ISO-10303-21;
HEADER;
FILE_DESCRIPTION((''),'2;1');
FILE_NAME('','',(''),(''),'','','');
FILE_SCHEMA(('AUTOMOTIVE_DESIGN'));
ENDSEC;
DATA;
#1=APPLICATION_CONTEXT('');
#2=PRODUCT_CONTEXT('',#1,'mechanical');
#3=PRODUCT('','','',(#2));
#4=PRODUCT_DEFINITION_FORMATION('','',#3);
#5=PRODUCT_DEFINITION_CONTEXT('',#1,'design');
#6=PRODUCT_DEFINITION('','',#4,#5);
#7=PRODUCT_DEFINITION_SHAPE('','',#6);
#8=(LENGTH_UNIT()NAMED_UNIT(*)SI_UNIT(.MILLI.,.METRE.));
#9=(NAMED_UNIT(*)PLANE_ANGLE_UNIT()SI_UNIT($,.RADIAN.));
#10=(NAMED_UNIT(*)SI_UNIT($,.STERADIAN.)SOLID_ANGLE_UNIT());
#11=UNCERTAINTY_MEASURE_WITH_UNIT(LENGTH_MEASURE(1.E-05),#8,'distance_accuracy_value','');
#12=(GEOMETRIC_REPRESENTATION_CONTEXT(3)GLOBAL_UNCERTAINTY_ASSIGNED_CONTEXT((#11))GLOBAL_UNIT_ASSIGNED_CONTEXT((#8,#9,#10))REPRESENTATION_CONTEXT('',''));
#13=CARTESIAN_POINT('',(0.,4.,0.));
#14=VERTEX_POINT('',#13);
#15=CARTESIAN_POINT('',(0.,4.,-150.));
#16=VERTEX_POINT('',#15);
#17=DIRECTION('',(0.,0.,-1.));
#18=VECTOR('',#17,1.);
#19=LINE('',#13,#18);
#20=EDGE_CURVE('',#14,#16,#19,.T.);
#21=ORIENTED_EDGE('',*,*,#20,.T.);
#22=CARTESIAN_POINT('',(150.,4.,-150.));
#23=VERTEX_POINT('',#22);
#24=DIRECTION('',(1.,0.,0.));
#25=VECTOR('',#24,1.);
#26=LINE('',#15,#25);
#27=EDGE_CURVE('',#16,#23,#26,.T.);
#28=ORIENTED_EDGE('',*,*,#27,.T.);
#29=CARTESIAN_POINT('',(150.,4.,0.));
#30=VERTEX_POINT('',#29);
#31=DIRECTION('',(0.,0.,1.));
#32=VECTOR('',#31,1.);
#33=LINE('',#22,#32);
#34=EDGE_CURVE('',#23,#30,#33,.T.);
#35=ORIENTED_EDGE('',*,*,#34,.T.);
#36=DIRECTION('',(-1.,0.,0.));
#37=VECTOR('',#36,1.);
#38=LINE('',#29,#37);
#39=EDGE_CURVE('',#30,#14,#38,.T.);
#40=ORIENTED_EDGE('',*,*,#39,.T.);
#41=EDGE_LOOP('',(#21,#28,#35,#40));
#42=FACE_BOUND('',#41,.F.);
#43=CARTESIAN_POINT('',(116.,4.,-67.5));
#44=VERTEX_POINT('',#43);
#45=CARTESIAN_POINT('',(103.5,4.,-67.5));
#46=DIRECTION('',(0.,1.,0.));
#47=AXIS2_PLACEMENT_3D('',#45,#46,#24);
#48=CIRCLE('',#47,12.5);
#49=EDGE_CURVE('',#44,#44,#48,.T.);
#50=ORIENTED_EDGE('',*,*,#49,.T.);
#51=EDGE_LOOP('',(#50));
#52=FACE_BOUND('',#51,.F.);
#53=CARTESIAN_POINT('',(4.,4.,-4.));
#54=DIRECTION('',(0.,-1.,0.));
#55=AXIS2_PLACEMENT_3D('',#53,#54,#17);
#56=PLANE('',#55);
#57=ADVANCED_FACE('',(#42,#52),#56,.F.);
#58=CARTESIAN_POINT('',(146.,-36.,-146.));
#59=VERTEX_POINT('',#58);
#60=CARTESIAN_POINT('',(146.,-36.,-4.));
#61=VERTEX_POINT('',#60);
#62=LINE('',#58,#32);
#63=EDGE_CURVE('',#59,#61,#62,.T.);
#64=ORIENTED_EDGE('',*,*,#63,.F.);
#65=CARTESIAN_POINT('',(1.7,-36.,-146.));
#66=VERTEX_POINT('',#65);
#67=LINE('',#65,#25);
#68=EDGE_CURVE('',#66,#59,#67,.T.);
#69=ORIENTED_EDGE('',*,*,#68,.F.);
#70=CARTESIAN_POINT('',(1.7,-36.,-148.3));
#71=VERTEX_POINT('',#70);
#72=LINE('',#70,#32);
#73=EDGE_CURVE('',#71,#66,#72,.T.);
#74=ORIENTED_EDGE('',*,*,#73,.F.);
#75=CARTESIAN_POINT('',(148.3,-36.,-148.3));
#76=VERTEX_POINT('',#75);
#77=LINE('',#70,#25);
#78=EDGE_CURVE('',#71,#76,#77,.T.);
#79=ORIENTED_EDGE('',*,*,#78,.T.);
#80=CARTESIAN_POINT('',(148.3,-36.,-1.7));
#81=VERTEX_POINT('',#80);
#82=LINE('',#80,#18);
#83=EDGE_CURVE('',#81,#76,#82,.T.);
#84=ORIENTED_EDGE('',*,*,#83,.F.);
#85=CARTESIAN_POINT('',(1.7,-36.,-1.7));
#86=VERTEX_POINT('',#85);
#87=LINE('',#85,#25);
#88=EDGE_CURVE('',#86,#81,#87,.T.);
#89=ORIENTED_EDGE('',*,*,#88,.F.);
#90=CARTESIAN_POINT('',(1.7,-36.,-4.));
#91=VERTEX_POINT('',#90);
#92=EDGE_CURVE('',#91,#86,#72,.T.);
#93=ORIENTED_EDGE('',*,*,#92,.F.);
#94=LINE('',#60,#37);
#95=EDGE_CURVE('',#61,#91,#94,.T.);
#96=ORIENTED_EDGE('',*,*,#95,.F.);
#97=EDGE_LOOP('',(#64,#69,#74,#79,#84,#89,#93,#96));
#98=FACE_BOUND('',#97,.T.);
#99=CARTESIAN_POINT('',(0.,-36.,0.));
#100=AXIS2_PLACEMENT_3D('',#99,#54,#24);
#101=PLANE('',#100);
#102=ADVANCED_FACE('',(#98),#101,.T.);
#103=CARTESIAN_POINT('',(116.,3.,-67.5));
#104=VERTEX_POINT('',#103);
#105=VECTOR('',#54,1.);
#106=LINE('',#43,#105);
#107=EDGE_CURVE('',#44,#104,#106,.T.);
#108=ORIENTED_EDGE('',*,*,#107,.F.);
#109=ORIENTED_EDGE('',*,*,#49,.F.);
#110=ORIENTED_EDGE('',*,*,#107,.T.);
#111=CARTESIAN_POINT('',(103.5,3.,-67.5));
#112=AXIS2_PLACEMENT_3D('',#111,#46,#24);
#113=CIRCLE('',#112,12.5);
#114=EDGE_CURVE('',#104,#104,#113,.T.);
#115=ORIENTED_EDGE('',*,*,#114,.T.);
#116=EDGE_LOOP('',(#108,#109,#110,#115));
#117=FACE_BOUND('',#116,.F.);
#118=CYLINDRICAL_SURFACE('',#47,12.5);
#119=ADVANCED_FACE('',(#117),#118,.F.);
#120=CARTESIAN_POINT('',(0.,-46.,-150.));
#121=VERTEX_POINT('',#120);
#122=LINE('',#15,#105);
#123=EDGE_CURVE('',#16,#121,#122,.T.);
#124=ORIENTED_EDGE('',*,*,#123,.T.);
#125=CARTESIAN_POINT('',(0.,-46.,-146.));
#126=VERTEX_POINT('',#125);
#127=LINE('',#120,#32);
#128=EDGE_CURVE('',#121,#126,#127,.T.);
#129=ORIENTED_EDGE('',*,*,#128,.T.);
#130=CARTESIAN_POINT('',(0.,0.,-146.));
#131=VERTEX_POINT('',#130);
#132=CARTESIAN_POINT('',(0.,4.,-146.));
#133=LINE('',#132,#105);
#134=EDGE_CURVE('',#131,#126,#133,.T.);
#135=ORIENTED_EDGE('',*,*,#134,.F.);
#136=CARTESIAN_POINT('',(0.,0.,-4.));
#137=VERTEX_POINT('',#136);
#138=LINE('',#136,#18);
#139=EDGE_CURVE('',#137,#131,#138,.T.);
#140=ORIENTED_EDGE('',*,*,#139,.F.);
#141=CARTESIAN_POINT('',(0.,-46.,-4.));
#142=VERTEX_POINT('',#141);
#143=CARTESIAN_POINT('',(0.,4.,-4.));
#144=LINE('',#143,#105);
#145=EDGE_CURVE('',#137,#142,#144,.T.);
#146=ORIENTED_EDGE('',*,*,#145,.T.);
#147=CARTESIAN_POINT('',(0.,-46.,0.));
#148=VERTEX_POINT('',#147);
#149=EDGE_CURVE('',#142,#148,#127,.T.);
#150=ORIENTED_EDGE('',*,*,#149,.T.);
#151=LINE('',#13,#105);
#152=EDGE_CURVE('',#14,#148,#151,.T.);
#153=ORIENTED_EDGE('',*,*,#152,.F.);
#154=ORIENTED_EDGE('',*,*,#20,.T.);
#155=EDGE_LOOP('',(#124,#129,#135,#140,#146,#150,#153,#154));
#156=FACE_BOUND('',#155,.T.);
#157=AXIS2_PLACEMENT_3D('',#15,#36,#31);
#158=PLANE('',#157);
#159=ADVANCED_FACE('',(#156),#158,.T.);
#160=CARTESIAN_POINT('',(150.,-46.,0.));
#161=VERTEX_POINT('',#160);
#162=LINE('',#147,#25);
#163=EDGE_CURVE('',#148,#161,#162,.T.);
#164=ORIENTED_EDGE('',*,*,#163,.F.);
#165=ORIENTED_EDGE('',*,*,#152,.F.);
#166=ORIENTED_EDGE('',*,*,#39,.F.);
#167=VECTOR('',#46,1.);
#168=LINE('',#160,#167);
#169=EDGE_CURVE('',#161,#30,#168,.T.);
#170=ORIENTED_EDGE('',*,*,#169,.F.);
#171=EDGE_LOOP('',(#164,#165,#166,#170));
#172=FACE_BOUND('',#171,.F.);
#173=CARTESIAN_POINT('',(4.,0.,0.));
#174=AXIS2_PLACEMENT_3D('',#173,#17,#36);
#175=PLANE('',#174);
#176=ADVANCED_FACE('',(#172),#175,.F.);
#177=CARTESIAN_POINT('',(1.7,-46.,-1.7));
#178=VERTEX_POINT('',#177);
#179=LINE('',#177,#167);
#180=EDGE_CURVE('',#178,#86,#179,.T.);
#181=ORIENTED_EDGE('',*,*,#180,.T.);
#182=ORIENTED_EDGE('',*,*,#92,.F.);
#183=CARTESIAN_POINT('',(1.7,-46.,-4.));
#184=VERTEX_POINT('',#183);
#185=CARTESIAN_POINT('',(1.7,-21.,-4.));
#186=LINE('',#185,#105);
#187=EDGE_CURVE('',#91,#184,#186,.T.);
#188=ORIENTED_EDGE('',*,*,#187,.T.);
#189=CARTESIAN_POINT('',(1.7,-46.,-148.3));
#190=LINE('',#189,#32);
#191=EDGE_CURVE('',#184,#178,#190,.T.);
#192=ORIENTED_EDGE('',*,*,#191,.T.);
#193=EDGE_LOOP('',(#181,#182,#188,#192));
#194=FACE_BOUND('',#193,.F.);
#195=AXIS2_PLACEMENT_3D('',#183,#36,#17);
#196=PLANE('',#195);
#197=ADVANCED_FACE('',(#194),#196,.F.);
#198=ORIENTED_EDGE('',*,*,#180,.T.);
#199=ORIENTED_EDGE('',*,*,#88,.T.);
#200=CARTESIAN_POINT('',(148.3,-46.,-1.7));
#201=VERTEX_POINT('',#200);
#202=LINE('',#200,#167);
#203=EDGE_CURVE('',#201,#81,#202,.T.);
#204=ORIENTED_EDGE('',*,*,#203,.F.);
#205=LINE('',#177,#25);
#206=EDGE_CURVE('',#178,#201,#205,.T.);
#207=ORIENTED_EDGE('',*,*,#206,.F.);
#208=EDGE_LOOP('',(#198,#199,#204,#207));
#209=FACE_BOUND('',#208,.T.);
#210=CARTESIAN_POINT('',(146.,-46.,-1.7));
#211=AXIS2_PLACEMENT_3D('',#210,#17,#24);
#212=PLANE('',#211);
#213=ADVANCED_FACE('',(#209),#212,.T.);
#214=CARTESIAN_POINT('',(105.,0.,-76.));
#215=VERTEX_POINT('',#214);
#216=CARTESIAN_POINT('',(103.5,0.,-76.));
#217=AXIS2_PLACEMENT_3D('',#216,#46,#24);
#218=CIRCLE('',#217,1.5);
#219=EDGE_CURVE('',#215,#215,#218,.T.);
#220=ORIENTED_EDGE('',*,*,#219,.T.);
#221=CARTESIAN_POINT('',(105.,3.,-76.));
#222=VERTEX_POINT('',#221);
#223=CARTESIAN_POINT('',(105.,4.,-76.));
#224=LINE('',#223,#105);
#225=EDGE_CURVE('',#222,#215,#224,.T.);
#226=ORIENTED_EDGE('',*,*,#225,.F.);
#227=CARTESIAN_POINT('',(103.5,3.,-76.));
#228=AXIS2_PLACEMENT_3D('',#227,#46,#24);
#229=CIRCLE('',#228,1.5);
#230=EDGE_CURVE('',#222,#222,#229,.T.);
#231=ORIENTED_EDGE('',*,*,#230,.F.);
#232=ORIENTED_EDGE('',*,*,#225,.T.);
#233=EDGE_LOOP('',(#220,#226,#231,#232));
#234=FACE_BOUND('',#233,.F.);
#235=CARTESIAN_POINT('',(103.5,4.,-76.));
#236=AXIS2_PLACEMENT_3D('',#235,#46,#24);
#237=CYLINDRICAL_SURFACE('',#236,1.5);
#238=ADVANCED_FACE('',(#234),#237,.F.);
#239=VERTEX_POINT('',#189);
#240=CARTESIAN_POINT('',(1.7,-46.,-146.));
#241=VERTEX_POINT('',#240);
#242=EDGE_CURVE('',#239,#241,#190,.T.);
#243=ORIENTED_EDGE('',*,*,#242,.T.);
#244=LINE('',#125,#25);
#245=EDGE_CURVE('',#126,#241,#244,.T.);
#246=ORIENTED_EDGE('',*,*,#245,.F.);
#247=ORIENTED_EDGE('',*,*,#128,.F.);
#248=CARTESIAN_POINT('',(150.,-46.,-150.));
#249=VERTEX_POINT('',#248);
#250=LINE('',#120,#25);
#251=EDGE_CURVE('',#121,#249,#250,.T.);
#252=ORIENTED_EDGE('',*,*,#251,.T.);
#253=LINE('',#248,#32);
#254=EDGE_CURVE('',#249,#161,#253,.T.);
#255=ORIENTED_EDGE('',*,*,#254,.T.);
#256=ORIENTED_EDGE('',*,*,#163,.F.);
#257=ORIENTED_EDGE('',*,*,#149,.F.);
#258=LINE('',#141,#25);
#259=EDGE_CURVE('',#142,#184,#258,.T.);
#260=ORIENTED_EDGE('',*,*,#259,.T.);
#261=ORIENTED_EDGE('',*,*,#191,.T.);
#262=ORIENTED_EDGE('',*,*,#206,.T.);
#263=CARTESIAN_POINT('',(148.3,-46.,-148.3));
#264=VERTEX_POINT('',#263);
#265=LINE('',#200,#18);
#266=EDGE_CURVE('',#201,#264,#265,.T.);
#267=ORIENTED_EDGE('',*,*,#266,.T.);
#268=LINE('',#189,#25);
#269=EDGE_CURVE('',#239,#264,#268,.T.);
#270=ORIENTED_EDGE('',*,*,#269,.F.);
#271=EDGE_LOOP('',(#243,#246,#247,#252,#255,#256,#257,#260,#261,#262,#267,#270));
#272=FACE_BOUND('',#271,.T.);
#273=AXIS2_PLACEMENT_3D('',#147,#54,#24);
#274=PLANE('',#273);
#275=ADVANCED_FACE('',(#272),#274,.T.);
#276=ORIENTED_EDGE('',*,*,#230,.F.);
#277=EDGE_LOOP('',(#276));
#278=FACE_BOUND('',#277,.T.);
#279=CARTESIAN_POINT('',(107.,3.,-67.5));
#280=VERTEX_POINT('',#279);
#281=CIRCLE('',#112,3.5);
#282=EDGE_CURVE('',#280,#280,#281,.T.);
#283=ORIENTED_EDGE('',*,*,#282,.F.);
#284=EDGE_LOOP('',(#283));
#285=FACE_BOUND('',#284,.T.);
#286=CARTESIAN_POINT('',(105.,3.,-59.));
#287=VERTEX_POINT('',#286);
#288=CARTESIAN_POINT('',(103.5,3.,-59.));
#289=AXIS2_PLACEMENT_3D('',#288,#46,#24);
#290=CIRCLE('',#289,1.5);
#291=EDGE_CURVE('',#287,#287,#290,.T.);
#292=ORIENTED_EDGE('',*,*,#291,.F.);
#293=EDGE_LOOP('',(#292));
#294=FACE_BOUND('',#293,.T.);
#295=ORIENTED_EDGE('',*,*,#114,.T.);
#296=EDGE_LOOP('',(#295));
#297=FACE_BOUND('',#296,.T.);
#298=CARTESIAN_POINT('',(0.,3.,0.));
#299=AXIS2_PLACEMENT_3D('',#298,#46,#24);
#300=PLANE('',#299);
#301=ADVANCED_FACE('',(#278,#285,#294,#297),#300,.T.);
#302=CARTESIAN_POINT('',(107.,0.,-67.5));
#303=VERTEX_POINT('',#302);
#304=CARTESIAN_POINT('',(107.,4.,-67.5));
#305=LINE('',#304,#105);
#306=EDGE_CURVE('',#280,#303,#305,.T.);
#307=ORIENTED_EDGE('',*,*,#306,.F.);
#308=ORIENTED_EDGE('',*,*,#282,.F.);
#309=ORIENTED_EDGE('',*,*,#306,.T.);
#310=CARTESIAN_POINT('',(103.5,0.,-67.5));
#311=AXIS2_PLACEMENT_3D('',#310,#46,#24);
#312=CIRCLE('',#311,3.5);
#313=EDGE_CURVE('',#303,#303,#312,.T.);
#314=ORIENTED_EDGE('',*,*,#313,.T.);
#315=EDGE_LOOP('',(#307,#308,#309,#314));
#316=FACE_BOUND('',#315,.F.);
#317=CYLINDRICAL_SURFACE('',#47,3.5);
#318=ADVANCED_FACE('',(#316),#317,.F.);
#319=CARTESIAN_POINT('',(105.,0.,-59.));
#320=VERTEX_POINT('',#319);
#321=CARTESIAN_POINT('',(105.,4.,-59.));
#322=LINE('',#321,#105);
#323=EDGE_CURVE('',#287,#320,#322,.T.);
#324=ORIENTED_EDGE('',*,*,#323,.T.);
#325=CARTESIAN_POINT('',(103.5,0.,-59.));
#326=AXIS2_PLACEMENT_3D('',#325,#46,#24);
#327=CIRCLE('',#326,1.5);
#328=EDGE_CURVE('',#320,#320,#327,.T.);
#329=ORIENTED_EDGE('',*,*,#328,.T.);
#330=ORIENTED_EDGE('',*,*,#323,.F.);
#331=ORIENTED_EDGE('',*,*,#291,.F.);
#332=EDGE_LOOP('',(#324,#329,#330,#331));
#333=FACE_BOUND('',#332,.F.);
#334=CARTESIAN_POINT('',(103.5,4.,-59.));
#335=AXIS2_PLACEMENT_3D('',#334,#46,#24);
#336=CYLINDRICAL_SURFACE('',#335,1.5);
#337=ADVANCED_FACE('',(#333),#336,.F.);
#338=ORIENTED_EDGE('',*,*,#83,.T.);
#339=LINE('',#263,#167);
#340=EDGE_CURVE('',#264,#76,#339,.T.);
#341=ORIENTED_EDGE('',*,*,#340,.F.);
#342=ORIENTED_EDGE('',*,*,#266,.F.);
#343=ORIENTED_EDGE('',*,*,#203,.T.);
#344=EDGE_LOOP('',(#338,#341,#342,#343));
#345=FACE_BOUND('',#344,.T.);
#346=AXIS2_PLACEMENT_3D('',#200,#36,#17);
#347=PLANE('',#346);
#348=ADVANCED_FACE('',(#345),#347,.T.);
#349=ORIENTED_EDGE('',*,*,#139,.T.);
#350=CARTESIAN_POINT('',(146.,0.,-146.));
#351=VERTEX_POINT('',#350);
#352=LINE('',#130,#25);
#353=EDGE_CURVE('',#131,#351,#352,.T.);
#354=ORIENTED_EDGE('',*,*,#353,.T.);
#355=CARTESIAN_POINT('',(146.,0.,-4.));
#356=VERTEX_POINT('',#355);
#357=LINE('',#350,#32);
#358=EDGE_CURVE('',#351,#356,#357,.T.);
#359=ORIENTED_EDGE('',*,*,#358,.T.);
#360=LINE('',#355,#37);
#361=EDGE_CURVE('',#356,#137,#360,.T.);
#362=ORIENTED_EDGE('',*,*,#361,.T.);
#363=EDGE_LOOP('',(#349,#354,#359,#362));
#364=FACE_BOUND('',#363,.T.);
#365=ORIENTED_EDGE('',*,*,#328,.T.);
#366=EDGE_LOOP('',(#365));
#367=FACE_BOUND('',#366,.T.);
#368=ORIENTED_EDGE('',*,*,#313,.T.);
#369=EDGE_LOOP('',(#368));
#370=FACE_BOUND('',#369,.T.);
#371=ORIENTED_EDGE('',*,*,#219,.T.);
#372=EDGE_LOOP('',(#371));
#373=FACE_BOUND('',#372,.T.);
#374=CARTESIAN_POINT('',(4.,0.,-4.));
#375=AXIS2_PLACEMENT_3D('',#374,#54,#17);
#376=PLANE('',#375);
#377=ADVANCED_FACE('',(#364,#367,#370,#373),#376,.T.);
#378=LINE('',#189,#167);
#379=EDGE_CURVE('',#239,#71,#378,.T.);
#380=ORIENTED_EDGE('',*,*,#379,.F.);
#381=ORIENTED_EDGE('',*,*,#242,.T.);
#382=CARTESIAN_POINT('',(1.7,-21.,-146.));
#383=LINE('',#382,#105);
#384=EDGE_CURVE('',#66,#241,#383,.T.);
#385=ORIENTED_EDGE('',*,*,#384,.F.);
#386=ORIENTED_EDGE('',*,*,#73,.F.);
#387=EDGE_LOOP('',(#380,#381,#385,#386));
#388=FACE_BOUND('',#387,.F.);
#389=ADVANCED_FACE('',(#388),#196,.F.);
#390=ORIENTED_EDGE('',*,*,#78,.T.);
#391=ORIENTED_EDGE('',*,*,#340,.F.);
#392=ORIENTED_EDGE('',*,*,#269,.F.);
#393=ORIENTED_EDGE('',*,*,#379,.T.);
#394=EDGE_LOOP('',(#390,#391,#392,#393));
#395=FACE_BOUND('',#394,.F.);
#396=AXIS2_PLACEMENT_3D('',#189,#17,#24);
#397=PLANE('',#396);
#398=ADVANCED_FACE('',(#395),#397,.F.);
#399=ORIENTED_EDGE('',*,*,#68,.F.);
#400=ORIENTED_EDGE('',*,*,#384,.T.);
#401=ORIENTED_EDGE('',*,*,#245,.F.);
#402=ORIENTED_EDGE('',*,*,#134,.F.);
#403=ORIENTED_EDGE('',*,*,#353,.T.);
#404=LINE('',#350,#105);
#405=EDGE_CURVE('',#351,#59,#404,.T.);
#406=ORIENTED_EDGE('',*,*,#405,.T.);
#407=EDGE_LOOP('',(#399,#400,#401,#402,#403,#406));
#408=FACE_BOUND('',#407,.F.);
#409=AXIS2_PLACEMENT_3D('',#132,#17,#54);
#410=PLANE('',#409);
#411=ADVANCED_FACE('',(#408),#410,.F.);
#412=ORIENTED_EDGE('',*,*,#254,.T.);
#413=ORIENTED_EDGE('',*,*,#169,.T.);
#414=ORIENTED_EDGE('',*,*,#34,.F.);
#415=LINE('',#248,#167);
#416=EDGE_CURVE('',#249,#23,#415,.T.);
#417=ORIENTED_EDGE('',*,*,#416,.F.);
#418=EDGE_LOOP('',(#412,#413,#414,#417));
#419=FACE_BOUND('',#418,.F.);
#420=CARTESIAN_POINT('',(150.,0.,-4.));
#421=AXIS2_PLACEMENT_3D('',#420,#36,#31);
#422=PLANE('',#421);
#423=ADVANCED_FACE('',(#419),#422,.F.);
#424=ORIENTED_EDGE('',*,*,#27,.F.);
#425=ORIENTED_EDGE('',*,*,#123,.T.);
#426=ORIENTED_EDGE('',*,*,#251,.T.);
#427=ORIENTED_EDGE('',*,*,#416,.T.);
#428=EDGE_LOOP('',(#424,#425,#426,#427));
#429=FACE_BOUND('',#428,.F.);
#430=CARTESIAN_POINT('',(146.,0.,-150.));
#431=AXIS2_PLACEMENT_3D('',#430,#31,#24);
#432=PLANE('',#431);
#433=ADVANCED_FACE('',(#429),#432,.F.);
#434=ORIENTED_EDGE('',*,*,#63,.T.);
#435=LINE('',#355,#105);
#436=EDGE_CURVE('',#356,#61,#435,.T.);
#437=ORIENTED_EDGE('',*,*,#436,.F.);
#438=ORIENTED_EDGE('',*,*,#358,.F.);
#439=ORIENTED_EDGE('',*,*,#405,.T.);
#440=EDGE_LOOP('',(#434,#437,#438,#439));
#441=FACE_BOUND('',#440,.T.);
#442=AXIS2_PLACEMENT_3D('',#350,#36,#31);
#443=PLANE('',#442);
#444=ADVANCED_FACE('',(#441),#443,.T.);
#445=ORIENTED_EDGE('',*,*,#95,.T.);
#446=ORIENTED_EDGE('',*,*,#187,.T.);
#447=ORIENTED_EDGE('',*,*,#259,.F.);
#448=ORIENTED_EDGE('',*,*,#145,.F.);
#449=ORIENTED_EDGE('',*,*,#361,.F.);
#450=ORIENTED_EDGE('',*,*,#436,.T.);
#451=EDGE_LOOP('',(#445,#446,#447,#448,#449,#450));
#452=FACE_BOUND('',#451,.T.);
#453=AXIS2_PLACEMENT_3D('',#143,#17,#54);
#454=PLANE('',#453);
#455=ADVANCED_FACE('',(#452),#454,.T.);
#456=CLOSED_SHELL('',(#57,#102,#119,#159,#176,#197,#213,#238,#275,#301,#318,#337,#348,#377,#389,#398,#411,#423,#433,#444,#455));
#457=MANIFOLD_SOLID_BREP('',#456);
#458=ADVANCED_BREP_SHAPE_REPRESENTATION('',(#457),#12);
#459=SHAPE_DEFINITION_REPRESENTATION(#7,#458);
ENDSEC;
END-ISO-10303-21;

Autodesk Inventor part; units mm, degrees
ref_plane "YZ Plane" through (0, 0, 0) normal (1, 0, 0) x (0, 1, 0)
ref_plane "XZ Plane" through (0, 0, 0) normal (0, 1, 0) x (-1, 0, 0)
ref_plane "XY Plane" through (0, 0, 0) normal (0, 0, 1) x (1, 0, 0)
sketch "Boceto1" plane through (0, 0, 0) normal (0, 1, 0) x (-1, 0, 0)
  line L0 (0, 0) -> (0, -150)
  line L1 (0, -150) -> (-150, -150)
  line L2 (-150, -150) -> (-150, 0)
  line L3 (-150, 0) -> (0, 0)
extrude "Extrusión1" add sketch "Boceto1" along normal blind 4
sketch "Boceto2" plane through (0, 4, 0) normal (0, 1, 0) x (1, 0, 0)
  line L0 (0, 0) -> (150, 0) projected
  circle A0 centre (103.5, 67.5) radius 12.5
extrude "Extrusión2" cut sketch "Boceto2" against normal blind 1
sketch "Boceto3" plane through (0, 4, 0) normal (0, 1, 0) x (1, 0, 0)
  circle A0 centre (103.5, 67.5) radius 12.5 projected
  circle A1 centre (103.5, 76) radius 1.5
  circle A2 centre (103.5, 59) radius 1.5
  circle A3 centre (103.5, 67.5) radius 3.5
  point P0 (0, 0)
extrude "Extrusión3" cut sketch "Boceto3" against normal blind 4 contours A1 | A2 | A3
sketch "Boceto4" plane through (0, 0, 0) normal (0, -1, 0) x (1, 0, 0)
  point P0 (0, 0)
sketch "Boceto5" plane through (0, 0, 0) normal (0, -1, 0) x (1, 0, 0)
  line L0 (0, 0) -> (0, -4)
  line L1 (150, -4) -> (150, 0)
  line L2 (150, 0) -> (0, 0)
  line L3 (4, -4) -> (146, -4)
  line L4 (0, 0) -> (4, 0)
  line L5 (0, 0) -> (150, 0) projected
  line L6 (4, -4) -> (4, -146)
  line L7 (0, -150) -> (0, 0) projected
  line L8 (0, -4) -> (0, -150)
  line L9 (0, -150) -> (150, -150)
  line L10 (150, -150) -> (150, -4)
  line L11 (0, -150) -> (0, -146)
  line L12 (4, -146) -> (146, -146)
  line L13 (150, -150) -> (146, -150)
  line L14 (150, -150) -> (0, -150) projected
  line L15 (146, -146) -> (146, -4)
extrude "Extrusión4" add sketch "Boceto5" along normal blind 46
sketch "Boceto6" plane through (0, -46, 0) normal (0, -1, 0) x (1, 0, 0)
  line L0 (4, -4) -> (4, -146)
  line L1 (4, -146) -> (146, -146) projected
  line L2 (4, -146) -> (146, -146)
  line L3 (146, -146) -> (146, -4)
  line L4 (146, -4) -> (4, -4)
  line L5 (1.7, -4) -> (1.7, -148.3)
  line L6 (1.7, -148.3) -> (148.3, -148.3)
  line L7 (150, -150) -> (0, -150) projected
  line L8 (146, -1.7) -> (1.7, -1.7)
  line L9 (1.7, -4) -> (1.7, -1.7)
  line L10 (146, -1.7) -> (148.3, -1.7)
  line L11 (148.3, -1.7) -> (148.3, -148.3)
  point P0 (0, 0)
extrude "Extrusión5" cut sketch "Boceto6" against normal blind 10
sketch "Boceto7" plane through (0, -36, 0) normal (0, -1, 0) x (1, 0, 0)
  point P0 (0, 0)
sketch "Boceto8" plane through (4, 0, -4) normal (1, 0, 0) x (0, 0, -1)
  point P0 (-4, 0)
sketch "Boceto9" plane through (0, 4, -150) normal (-1, 0, 0) x (0, 0, 1)
  line L0 (150, -50) -> (146, -50)
  line L1 (150, -50) -> (150, 0)
  line L2 (150, 0) -> (0, 0)
  line L3 (150, -50) -> (0, -50) projected
  line L4 (0, 0) -> (0, -50)
  line L5 (0, -50) -> (4, -50)
  line L6 (0, 0) -> (0, -4)
  line L7 (4, 0) -> (146, 0)
  line L8 (150, 0) -> (146, 0)
  line L9 (0, 0) -> (150, 0) projected
  line L10 (146, 0) -> (146, -50)
  line L11 (0, 0) -> (4, 0)
  line L12 (4, 0) -> (4, -50)
  line L13 (4, -50) -> (146, -50)
  point P0 (150, -4)
extrude "Extrusión6" cut sketch "Boceto9" against normal blind 4 contours L3 L12 L2 L10
sketch "Boceto10" plane through (0, 4, 0) normal (0, 0, 1) x (1, 0, 0)
  point P0 (0, -4)
sketch "Boceto11" plane through (4, 4, -150) normal (-1, 0, 0) x (0, 0, 1)
  line L0 (146, -4) -> (4, -4) projected
  line L1 (146, -4) -> (146, -40) projected
  line L2 (4, -4) -> (146, -4)
  line L3 (146, 0) -> (150, 0) projected
  line L4 (146, -4) -> (146, 0)
  line L5 (146, 0) -> (4, 0)
  line L6 (4, 0) -> (4, -4)
  point P0 (150, -4)
extrude "Extrusión7" add sketch "Boceto11" along normal blind 4
sketch "Boceto12" plane through (0, 4, 0) normal (0, 0, 1) x (1, 0, 0)
  point P0 (0, -4)
properties part number "base sup"
